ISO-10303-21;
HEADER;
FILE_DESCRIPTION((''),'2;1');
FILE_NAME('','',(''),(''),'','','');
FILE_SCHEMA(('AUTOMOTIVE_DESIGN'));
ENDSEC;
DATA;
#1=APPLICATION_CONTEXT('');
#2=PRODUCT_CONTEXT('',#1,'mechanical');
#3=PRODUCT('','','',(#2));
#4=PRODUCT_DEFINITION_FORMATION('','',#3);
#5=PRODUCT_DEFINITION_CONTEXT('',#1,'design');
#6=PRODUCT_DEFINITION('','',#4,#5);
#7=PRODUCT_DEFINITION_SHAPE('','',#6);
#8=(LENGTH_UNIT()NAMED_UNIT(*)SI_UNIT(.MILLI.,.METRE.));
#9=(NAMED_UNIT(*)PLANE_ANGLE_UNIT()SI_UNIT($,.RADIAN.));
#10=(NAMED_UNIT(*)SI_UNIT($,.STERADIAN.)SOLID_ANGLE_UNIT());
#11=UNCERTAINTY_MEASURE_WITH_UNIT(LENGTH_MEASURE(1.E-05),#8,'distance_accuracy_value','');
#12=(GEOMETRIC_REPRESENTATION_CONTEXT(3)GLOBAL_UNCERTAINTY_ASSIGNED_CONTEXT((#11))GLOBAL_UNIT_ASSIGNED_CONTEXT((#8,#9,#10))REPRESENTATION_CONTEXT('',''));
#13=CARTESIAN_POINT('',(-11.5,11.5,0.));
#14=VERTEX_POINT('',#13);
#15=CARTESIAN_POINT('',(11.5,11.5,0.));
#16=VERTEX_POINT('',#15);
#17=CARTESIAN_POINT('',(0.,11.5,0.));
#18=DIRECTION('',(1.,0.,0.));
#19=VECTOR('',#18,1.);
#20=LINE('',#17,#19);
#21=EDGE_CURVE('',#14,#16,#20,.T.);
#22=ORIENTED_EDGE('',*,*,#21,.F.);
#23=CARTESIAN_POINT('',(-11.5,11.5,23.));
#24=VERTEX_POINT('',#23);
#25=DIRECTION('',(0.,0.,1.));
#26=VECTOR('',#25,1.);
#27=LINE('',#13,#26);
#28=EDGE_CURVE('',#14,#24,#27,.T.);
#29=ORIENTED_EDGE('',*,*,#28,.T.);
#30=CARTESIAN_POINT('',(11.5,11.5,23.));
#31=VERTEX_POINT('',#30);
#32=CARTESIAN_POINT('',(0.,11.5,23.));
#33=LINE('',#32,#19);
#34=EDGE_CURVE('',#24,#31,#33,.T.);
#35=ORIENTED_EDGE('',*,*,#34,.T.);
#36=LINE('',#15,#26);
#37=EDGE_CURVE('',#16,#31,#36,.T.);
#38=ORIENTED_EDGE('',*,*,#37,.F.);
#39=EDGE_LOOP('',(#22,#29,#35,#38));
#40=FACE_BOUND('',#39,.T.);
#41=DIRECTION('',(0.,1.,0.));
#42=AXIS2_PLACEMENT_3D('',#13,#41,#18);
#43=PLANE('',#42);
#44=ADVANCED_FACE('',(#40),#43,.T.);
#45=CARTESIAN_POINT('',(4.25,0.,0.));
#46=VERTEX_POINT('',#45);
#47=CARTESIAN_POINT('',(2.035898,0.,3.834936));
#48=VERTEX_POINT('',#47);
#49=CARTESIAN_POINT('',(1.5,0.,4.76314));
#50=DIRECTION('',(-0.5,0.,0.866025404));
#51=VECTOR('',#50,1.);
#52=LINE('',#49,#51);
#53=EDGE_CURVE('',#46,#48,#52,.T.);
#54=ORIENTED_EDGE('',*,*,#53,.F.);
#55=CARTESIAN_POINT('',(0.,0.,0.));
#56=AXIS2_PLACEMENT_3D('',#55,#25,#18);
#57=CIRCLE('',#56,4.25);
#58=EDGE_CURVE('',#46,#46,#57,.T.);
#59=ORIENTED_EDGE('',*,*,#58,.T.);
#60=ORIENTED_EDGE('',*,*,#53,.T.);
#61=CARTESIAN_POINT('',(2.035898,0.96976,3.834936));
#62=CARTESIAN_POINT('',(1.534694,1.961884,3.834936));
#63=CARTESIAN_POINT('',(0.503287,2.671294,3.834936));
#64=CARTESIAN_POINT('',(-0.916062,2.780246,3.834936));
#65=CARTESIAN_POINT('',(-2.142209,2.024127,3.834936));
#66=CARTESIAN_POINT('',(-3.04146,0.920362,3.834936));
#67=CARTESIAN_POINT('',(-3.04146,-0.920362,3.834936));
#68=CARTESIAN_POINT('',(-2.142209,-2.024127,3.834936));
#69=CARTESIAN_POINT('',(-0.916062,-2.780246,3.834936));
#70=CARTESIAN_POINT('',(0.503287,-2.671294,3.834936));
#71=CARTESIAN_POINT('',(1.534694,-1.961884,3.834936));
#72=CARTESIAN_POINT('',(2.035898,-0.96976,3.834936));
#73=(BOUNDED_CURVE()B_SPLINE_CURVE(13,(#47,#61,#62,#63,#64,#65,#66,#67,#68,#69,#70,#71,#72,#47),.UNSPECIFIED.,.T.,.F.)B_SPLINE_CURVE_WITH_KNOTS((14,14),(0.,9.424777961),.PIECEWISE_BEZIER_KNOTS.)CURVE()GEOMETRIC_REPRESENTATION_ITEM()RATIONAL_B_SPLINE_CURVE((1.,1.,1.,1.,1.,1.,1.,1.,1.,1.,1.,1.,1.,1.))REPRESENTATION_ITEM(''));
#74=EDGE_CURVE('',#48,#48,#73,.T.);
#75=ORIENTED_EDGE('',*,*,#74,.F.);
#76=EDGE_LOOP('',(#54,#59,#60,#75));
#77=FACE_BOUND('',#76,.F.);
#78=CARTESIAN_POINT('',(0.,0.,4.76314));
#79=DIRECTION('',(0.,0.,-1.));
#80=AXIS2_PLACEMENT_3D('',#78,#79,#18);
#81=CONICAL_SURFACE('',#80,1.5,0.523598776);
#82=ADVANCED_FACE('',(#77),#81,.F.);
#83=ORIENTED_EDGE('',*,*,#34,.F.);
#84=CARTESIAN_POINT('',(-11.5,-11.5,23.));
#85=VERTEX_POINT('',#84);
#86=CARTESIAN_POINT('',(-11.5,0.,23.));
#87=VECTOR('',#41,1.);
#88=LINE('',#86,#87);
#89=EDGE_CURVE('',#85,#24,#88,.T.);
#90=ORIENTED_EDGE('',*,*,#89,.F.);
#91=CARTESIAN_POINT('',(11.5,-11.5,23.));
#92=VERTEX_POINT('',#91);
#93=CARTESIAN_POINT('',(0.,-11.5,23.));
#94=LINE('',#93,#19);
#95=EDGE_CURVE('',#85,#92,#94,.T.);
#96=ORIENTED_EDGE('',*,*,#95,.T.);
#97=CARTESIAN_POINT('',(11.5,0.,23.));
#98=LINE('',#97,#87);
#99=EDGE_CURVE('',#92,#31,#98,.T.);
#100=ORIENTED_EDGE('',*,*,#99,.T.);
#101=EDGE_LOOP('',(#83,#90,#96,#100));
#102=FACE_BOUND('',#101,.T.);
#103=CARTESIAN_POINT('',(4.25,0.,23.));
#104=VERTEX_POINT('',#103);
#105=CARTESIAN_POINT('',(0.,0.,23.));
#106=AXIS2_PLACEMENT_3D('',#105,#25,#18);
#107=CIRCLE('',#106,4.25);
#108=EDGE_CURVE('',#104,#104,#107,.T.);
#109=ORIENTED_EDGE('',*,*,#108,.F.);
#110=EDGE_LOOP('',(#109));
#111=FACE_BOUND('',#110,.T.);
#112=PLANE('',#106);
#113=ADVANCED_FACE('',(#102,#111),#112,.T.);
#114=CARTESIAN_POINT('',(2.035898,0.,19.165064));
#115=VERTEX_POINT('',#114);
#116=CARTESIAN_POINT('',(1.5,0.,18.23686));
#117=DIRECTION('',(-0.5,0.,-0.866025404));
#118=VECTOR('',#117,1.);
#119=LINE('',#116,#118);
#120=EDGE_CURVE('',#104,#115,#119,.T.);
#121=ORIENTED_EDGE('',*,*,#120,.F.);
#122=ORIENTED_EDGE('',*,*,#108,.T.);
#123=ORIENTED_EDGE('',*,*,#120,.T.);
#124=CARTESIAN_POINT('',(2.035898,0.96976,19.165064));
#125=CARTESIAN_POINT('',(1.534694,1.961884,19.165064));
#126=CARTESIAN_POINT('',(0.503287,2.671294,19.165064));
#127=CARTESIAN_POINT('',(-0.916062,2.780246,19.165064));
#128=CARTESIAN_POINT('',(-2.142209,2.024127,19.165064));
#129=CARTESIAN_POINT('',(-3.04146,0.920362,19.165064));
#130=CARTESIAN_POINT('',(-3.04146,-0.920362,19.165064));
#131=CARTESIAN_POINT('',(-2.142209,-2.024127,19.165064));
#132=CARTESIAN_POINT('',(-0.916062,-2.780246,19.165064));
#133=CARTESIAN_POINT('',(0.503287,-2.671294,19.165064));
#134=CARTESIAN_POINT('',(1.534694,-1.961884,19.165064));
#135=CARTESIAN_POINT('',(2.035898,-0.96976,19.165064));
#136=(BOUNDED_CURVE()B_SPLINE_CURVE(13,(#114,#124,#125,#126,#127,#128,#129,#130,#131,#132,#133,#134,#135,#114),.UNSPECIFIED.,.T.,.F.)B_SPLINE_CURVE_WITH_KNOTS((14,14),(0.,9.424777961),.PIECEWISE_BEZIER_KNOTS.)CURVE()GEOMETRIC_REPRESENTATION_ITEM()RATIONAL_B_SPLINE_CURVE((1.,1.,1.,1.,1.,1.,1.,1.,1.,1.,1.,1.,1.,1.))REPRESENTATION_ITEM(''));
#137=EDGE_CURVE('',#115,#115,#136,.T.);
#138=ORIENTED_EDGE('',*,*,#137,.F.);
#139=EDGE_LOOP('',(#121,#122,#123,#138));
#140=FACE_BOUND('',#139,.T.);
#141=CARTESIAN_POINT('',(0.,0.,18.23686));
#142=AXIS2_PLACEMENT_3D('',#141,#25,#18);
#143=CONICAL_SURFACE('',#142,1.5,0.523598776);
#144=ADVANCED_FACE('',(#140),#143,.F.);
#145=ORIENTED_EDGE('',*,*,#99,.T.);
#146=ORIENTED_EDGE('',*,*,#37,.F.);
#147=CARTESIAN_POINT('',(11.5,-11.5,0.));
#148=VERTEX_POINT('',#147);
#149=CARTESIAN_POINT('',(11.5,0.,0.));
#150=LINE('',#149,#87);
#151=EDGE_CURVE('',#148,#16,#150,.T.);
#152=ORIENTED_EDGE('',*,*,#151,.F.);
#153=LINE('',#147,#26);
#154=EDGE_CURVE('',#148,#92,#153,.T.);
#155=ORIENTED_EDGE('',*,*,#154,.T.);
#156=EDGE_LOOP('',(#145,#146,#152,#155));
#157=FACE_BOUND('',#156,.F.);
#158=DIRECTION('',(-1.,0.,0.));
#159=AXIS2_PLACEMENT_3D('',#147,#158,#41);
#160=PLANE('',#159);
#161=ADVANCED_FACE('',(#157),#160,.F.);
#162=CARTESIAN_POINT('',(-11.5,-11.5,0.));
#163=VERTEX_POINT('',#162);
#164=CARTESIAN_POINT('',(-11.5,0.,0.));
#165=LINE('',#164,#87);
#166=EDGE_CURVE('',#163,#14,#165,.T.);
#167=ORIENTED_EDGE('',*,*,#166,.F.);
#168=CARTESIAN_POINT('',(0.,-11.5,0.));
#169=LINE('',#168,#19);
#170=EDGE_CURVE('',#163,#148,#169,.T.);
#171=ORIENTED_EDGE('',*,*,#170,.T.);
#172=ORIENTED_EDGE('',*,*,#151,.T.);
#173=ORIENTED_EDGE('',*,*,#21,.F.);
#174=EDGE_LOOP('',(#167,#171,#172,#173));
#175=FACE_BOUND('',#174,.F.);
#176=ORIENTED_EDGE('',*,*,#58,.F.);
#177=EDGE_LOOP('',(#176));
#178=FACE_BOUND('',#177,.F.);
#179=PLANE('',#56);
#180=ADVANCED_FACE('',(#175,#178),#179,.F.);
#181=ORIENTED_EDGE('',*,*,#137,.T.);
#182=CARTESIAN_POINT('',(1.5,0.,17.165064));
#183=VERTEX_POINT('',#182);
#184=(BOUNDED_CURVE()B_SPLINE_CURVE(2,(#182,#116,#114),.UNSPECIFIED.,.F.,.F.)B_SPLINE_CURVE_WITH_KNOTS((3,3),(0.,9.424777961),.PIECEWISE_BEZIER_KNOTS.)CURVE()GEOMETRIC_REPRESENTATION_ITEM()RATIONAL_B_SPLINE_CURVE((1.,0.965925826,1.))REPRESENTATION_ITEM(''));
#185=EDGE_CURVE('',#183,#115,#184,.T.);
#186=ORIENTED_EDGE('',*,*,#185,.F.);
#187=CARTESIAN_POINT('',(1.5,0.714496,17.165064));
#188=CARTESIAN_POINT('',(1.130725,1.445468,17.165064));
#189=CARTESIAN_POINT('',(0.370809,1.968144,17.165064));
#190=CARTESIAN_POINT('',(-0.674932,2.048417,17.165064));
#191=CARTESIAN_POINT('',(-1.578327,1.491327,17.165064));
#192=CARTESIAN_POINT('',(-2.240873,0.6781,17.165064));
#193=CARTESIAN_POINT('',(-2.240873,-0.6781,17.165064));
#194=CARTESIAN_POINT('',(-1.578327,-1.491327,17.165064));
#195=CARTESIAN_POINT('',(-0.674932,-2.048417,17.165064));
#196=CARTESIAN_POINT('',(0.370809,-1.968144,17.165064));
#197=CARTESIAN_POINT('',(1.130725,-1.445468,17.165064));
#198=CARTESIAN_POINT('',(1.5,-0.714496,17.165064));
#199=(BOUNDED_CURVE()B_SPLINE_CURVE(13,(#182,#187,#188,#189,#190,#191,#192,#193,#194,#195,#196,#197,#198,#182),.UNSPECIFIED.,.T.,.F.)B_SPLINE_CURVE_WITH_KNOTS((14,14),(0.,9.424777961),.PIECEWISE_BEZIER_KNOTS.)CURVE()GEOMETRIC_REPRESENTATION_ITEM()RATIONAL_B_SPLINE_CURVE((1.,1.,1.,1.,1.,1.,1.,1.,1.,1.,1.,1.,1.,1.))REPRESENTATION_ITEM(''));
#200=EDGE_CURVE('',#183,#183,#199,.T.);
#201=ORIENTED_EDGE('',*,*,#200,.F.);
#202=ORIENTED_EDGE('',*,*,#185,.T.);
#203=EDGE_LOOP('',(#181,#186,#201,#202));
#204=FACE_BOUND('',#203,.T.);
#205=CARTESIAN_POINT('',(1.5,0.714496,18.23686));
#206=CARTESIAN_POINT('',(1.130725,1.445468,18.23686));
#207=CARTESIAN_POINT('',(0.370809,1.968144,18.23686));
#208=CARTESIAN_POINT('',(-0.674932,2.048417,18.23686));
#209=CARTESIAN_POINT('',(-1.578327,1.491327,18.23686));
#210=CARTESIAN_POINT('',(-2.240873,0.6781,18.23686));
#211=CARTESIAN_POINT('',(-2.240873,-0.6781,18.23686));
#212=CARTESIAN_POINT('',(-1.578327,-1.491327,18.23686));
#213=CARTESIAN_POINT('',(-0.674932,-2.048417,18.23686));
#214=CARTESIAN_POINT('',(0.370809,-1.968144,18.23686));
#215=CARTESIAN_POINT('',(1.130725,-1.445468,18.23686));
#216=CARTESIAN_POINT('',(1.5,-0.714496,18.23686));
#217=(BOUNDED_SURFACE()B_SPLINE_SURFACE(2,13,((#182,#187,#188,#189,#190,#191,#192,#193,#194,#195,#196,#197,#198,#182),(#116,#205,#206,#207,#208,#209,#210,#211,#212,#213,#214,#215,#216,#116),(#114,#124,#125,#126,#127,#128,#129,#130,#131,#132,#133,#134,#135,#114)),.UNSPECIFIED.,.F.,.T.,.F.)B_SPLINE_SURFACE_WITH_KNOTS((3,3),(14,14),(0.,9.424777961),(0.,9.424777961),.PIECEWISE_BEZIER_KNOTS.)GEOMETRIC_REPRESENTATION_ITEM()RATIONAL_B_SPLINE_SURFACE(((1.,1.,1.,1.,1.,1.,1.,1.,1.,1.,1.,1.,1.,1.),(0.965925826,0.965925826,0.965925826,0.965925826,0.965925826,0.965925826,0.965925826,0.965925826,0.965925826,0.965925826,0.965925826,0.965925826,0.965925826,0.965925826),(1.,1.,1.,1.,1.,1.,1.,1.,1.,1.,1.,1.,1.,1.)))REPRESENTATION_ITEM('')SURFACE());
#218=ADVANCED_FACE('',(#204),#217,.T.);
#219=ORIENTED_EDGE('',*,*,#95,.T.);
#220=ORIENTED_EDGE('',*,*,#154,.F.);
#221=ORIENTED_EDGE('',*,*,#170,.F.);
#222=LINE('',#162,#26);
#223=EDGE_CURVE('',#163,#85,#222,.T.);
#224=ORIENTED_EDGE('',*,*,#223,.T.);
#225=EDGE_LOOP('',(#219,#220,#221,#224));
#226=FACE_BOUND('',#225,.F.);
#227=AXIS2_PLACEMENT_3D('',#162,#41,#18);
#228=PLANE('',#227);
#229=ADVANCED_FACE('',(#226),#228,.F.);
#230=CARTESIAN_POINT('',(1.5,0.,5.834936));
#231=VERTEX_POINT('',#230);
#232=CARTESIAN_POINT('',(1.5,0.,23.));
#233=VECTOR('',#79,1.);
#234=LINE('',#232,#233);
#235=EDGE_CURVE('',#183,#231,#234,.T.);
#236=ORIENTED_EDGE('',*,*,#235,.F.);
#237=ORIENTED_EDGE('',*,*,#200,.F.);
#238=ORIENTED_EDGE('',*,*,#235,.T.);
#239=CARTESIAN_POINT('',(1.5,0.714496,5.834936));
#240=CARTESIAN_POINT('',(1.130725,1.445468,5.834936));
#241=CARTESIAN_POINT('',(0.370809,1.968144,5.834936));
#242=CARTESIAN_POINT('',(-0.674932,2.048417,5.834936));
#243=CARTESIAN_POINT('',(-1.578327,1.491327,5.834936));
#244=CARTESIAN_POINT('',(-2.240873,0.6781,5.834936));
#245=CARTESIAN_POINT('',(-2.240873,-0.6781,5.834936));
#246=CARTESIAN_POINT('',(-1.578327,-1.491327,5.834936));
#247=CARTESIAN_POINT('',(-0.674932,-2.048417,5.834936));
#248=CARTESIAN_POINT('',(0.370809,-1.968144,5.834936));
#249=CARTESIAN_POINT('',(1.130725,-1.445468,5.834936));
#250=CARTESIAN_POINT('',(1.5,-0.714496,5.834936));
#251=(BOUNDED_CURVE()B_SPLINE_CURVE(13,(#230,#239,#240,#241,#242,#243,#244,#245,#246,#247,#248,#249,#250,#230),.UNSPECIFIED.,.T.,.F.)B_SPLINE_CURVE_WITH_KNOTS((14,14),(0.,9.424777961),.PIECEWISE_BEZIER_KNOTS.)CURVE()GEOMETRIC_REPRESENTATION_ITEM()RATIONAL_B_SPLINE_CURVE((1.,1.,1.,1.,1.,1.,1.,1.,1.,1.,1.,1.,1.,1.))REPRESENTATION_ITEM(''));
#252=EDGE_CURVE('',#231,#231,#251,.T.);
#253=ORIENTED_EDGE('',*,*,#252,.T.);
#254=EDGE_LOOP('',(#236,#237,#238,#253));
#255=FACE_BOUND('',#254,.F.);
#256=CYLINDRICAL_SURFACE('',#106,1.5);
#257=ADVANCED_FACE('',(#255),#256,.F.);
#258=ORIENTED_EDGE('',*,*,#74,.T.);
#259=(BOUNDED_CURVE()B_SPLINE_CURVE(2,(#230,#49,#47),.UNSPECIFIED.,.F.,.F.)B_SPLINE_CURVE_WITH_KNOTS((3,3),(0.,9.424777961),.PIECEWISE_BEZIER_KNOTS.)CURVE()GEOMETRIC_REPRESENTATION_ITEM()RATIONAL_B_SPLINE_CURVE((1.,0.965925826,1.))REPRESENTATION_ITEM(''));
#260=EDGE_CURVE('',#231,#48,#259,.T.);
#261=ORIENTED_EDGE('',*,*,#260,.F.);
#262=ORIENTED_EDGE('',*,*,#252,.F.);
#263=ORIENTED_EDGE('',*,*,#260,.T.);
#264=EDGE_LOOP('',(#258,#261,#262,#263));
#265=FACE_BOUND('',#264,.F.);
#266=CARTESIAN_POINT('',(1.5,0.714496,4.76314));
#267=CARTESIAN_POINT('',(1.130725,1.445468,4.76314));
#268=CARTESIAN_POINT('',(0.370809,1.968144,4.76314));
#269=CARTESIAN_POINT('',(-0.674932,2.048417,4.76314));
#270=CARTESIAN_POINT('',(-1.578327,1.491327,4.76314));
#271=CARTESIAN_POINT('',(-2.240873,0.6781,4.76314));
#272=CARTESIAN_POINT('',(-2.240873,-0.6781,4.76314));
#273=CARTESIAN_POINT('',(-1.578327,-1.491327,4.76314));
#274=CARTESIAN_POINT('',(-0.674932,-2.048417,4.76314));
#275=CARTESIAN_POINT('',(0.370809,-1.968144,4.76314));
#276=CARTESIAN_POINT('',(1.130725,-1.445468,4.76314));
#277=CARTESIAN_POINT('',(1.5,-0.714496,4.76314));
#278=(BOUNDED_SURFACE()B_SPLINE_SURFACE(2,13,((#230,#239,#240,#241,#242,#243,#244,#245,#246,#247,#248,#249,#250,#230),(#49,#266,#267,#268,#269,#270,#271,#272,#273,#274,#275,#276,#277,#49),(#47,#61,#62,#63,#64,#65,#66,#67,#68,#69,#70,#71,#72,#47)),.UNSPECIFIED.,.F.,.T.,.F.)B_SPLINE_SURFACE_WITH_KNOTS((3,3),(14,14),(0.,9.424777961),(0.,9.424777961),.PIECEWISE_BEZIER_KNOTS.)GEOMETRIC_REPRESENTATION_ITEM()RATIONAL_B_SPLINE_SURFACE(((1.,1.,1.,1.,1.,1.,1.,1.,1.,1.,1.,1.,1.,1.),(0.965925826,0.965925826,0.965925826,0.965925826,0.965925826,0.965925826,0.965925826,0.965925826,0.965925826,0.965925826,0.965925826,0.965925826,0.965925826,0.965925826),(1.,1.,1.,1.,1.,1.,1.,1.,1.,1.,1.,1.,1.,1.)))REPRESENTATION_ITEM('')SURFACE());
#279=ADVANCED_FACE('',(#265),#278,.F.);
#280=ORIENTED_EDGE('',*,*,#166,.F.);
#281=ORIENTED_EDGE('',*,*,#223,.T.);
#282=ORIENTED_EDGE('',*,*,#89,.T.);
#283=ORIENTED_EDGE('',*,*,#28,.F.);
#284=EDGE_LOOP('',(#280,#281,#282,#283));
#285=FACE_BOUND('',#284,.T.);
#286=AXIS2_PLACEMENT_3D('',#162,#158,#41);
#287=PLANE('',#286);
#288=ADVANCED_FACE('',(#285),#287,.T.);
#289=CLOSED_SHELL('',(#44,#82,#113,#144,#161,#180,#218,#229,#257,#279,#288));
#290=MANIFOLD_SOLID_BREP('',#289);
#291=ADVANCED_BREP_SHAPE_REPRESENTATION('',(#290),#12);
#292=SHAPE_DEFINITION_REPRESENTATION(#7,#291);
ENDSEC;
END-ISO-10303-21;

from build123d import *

# Parameters (mm, degrees)
SKETCH_W        = 23
SKETCH_H        = 23
PAD_DEPTH       = 23
SKETCH001_R     = 1.5
POCKET_DEPTH    = 23.001
CHAMFER_1_ANGLE = 60
CHAMFER_1_SIZE  = 2.75
CHAMFER_2_ANGLE = 60
CHAMFER_2_SIZE  = 2.75
FILLET_R        = 4


with BuildPart() as part:
    # Sketch → Pad (new body)
    with BuildSketch(Plane.XY):
        Rectangle(SKETCH_W, SKETCH_H)
    extrude(amount=PAD_DEPTH)

    # Sketch001 (on Face6 of Pad) → Pocket (cut, through all)
    with BuildSketch(Plane.XY.offset(23)):
        Circle(SKETCH001_R)
    extrude(amount=-POCKET_DEPTH, mode=Mode.SUBTRACT)

    # Chamfer 1
    chamfer_1_edges = [part.edges().sort_by_distance(p)[0] for p in [
        (-1.5, 0, 23),
    ]]
    chamfer_1_side = part.faces().sort_by_distance((-11.174731, 0, 23))[0]
    chamfer(chamfer_1_edges, length=CHAMFER_1_SIZE, angle=CHAMFER_1_ANGLE, reference=chamfer_1_side)

    # Chamfer 2
    chamfer_2_edges = [part.edges().sort_by_distance(p)[0] for p in [
        (-1.5, 0, 0),
    ]]
    chamfer_2_side = part.faces().sort_by_distance((-11.174731, 0, 0))[0]
    chamfer(chamfer_2_edges, length=CHAMFER_2_SIZE, angle=CHAMFER_2_ANGLE, reference=chamfer_2_side)

    # Fillet
    fillet_edges = [part.edges().sort_by_distance(p)[0] for p in [
        (-1.5, 0, 4.76314),
        (-1.5, 0, 18.23686),
    ]]
    fillet(fillet_edges, radius=FILLET_R)


solid = part.part
